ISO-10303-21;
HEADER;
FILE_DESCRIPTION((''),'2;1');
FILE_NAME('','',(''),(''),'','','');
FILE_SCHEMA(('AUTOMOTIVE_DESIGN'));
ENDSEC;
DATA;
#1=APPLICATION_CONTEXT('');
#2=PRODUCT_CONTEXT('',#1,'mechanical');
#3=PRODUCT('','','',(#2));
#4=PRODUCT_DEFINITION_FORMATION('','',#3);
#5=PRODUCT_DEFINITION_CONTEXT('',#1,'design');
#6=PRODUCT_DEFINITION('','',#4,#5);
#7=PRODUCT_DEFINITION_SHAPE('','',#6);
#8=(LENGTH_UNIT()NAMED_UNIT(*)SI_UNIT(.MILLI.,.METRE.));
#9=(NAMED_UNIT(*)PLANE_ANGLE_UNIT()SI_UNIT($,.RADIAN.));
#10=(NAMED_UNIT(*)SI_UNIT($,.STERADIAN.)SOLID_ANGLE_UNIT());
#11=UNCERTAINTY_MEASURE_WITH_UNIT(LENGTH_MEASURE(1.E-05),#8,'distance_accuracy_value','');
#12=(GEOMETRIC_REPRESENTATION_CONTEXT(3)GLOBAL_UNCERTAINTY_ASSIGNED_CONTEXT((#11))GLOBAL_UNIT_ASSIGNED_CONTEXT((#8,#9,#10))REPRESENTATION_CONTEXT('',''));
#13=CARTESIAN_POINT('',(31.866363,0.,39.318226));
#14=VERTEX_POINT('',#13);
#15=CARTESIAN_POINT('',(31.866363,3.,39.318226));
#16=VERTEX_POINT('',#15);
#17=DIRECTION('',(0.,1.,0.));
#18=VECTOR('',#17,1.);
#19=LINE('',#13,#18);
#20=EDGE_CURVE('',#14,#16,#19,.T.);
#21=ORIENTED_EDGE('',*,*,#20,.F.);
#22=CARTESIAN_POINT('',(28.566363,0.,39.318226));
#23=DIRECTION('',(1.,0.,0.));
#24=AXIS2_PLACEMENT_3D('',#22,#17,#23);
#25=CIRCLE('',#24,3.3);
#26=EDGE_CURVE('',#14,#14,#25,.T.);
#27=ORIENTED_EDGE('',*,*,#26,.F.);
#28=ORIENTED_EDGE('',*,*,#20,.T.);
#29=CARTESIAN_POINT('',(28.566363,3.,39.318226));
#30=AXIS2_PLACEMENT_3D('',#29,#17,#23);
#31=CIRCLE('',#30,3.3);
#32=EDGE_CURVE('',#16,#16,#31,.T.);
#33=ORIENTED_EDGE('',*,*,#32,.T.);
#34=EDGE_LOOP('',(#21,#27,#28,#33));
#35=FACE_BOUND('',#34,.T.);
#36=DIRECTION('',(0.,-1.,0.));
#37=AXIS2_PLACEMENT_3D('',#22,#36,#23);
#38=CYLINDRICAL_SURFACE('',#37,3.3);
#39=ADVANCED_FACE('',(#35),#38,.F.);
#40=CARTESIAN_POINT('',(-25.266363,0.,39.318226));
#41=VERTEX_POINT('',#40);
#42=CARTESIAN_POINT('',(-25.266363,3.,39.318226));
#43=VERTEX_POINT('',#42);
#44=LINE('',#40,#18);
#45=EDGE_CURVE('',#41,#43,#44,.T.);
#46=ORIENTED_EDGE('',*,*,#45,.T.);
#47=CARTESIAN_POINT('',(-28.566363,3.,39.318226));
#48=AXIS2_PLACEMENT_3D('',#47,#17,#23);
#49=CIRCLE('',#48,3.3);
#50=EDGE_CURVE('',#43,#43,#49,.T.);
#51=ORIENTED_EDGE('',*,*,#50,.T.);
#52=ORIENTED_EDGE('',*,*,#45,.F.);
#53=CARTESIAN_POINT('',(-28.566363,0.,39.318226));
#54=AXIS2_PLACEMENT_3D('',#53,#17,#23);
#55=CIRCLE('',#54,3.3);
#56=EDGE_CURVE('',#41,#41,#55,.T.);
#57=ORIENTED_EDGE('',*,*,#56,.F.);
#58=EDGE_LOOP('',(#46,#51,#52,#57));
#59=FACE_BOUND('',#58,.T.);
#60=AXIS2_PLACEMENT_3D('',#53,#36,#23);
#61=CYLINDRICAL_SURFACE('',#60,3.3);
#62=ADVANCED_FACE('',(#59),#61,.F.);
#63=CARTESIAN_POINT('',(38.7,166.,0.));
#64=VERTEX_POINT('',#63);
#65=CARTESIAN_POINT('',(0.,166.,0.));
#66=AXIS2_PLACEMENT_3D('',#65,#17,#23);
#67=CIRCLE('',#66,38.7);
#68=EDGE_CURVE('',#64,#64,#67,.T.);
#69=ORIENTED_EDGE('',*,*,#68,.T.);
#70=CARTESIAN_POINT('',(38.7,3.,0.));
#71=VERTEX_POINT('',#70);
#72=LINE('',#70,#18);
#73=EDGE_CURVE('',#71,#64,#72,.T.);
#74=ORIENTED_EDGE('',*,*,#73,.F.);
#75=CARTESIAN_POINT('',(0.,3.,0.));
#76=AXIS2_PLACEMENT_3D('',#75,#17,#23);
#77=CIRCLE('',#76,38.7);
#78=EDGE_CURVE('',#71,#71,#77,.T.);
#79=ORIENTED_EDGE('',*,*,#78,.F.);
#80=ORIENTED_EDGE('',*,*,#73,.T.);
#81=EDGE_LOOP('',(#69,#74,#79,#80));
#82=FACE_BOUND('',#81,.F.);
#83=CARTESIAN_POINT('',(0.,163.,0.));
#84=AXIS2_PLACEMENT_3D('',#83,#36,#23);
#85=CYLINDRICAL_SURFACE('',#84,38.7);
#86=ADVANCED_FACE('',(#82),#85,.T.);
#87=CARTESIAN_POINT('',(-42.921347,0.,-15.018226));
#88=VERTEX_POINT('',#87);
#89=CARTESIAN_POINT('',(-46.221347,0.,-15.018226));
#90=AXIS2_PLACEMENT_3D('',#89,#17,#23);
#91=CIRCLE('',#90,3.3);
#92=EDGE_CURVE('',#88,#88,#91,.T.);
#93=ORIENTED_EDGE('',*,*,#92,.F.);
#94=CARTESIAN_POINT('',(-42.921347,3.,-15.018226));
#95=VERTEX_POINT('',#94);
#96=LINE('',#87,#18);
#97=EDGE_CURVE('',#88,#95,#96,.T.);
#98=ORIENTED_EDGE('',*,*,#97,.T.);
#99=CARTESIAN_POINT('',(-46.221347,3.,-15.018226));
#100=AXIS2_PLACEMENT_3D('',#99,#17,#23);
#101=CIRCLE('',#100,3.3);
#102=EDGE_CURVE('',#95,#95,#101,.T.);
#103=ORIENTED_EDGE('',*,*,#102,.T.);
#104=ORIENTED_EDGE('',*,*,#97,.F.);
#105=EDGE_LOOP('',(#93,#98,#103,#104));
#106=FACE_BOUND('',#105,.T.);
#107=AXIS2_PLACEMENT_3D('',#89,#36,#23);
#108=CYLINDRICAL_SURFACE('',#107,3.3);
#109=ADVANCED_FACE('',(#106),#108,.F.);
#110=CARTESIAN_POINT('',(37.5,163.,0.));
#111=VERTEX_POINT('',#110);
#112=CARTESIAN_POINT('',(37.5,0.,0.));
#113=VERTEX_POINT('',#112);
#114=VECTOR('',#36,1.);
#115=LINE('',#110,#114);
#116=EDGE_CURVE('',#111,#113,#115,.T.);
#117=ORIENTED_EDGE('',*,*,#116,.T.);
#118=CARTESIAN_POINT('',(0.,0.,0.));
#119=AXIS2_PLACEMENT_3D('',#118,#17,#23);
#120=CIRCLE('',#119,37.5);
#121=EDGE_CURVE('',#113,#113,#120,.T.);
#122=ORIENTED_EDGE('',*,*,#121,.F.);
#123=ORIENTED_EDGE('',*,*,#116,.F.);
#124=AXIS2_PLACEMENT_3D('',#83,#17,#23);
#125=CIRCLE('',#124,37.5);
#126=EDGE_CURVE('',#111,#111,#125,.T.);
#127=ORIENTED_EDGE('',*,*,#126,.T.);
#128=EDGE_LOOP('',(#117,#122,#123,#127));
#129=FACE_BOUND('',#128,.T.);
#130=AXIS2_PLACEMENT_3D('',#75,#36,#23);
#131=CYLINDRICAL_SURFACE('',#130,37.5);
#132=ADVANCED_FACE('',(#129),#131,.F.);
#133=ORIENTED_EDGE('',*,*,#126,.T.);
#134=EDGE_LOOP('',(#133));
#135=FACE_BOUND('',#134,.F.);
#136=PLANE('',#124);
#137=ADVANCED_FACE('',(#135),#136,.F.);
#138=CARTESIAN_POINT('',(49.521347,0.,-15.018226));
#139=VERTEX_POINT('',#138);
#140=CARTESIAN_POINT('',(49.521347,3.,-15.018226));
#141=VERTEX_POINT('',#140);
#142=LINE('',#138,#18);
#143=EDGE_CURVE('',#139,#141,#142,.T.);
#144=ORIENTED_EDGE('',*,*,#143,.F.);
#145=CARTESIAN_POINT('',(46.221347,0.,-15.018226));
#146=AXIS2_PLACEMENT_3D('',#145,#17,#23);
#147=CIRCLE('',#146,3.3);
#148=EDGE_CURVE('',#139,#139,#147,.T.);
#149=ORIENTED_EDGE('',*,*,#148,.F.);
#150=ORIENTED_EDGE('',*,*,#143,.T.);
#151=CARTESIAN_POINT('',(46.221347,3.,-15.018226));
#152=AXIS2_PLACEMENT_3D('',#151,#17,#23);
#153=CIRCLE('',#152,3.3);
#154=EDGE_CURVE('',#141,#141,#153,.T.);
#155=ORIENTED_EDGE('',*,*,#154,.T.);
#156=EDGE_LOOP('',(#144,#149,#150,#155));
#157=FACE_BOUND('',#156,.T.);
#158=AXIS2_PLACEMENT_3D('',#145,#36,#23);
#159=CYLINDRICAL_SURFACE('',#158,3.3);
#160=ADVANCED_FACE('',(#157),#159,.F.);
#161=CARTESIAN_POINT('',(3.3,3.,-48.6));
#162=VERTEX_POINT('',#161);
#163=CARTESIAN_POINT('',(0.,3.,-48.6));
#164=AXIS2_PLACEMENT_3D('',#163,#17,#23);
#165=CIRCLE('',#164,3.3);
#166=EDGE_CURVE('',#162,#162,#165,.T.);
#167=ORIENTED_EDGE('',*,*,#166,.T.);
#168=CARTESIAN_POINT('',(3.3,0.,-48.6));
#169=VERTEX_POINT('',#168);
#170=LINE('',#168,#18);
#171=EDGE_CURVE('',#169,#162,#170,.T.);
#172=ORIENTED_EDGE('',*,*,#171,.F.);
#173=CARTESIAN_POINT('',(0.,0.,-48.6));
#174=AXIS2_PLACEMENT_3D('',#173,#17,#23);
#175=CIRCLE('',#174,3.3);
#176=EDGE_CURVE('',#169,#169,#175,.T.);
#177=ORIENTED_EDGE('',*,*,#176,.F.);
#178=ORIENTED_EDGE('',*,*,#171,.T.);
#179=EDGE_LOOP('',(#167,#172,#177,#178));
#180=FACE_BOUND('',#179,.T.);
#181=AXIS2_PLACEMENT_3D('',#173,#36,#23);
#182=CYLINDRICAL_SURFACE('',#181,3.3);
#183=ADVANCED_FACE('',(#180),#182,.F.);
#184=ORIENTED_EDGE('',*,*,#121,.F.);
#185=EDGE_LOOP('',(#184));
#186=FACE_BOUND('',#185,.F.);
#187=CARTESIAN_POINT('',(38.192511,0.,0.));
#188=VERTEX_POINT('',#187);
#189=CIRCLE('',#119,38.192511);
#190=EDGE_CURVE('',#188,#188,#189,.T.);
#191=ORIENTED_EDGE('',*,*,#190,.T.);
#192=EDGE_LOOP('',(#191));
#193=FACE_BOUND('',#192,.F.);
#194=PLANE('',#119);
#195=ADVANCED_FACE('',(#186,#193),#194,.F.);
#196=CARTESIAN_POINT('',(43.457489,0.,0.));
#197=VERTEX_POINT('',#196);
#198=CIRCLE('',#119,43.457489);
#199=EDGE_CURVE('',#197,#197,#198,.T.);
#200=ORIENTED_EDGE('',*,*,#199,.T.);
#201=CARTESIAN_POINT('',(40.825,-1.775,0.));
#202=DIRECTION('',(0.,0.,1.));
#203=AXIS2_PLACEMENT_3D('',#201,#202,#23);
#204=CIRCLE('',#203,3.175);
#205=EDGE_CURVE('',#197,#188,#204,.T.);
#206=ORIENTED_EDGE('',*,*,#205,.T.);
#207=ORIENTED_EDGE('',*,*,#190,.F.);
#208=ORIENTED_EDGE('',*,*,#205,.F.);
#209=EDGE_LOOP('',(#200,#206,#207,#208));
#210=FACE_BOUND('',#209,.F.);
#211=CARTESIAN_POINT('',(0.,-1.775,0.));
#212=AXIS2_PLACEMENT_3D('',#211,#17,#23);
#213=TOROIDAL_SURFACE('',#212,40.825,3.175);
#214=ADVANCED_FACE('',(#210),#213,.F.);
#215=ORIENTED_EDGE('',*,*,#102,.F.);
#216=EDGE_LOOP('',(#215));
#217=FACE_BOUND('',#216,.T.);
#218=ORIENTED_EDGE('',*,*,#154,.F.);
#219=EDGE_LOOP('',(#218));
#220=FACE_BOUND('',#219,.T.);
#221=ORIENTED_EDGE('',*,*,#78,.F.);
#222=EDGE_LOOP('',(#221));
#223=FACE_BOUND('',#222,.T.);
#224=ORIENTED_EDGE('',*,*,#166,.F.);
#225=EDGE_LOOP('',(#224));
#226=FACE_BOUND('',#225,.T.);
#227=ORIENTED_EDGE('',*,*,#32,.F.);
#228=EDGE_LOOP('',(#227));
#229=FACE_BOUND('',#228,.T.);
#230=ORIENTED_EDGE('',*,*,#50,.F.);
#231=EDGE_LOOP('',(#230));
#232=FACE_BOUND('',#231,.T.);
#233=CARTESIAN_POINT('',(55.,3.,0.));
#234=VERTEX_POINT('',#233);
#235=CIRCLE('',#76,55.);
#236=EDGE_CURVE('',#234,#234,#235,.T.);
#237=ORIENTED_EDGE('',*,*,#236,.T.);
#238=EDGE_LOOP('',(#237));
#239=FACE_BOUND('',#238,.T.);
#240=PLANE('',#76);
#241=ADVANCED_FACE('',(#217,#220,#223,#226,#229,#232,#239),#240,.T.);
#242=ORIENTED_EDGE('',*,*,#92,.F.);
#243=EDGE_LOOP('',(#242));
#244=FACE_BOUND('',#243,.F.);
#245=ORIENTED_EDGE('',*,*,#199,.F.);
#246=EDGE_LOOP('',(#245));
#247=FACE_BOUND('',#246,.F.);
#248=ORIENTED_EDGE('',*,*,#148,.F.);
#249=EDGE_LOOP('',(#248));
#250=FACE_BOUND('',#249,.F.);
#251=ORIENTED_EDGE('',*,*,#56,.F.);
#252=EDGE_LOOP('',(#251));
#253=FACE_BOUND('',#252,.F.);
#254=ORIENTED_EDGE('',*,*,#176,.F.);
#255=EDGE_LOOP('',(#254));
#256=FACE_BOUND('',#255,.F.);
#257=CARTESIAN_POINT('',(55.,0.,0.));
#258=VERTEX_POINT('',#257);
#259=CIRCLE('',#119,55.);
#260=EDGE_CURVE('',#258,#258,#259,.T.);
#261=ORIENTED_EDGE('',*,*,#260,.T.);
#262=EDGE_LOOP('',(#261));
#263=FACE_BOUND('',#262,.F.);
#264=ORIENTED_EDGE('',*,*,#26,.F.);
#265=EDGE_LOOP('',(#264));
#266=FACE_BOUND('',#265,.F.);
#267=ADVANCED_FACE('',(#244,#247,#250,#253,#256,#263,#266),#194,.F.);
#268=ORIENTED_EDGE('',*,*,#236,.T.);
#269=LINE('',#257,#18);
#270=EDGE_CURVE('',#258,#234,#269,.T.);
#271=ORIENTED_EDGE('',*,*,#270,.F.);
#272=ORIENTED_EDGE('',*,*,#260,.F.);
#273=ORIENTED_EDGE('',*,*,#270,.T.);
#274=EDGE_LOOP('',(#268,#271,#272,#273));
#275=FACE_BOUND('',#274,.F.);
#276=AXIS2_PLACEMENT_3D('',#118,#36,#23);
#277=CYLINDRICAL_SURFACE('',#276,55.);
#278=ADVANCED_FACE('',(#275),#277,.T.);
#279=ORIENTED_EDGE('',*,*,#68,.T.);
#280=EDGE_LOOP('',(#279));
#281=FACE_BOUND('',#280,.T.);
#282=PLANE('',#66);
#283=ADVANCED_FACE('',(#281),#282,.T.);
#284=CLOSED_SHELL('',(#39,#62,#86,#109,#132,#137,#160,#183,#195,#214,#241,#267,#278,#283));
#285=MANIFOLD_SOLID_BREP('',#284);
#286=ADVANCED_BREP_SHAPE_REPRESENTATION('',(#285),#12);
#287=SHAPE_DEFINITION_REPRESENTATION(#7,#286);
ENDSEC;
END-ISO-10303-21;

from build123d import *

# Parameters (mm, degrees)
SKETCH1_R           = 55
SKETCH1_R_2         = 37.5
SKETCH1_R_3         = 3.3
BOSS_EXTRUDE1_DEPTH = 3
SKETCH2_R           = 3.175
SKETCH3_R           = 38.7
SKETCH3_R_2         = 37.5
BOSS_EXTRUDE2_DEPTH = 160
SKETCH4_R           = 38.7
BOSS_EXTRUDE3_DEPTH = 3


with BuildPart() as part:
    # Sketch1 → Boss-Extrude1 (new body)
    with BuildSketch(Plane(origin=(0, 0, 0), x_dir=(1, 0, 0), z_dir=(0, 1, 0))):
        Circle(SKETCH1_R)
        Circle(SKETCH1_R_2, mode=Mode.SUBTRACT)
        with Locations((0, 48.6)):
            Circle(SKETCH1_R_3, mode=Mode.SUBTRACT)
        with Locations((46.221346692, 15.018225927)):
            Circle(SKETCH1_R_3, mode=Mode.SUBTRACT)
        with Locations((28.566363261, -39.318225927)):
            Circle(SKETCH1_R_3, mode=Mode.SUBTRACT)
        with Locations((-28.566363261, -39.318225927)):
            Circle(SKETCH1_R_3, mode=Mode.SUBTRACT)
        with Locations((-46.221346692, 15.018225927)):
            Circle(SKETCH1_R_3, mode=Mode.SUBTRACT)
    extrude(amount=BOSS_EXTRUDE1_DEPTH)

    # Sketch2 → Cut-Revolve1 (revolve, cut)
    with BuildSketch(Plane.XY):
        with Locations((40.825, -1.775)):
            Circle(SKETCH2_R)
    revolve(axis=Axis((0, 0, 0), (0, 1, 0)), mode=Mode.SUBTRACT)

    # Sketch3 → Boss-Extrude2 (add)
    with BuildSketch(Plane(origin=(0, 3, 0), x_dir=(1, 0, 0), z_dir=(0, 1, 0))):
        Circle(SKETCH3_R)
        Circle(SKETCH3_R_2, mode=Mode.SUBTRACT)
    extrude(amount=BOSS_EXTRUDE2_DEPTH)

    # Sketch4 → Boss-Extrude3 (add)
    with BuildSketch(Plane(origin=(0, 163, 0), x_dir=(1, 0, 0), z_dir=(0, 1, 0))):
        Circle(SKETCH4_R)
    extrude(amount=BOSS_EXTRUDE3_DEPTH)


solid = part.part
